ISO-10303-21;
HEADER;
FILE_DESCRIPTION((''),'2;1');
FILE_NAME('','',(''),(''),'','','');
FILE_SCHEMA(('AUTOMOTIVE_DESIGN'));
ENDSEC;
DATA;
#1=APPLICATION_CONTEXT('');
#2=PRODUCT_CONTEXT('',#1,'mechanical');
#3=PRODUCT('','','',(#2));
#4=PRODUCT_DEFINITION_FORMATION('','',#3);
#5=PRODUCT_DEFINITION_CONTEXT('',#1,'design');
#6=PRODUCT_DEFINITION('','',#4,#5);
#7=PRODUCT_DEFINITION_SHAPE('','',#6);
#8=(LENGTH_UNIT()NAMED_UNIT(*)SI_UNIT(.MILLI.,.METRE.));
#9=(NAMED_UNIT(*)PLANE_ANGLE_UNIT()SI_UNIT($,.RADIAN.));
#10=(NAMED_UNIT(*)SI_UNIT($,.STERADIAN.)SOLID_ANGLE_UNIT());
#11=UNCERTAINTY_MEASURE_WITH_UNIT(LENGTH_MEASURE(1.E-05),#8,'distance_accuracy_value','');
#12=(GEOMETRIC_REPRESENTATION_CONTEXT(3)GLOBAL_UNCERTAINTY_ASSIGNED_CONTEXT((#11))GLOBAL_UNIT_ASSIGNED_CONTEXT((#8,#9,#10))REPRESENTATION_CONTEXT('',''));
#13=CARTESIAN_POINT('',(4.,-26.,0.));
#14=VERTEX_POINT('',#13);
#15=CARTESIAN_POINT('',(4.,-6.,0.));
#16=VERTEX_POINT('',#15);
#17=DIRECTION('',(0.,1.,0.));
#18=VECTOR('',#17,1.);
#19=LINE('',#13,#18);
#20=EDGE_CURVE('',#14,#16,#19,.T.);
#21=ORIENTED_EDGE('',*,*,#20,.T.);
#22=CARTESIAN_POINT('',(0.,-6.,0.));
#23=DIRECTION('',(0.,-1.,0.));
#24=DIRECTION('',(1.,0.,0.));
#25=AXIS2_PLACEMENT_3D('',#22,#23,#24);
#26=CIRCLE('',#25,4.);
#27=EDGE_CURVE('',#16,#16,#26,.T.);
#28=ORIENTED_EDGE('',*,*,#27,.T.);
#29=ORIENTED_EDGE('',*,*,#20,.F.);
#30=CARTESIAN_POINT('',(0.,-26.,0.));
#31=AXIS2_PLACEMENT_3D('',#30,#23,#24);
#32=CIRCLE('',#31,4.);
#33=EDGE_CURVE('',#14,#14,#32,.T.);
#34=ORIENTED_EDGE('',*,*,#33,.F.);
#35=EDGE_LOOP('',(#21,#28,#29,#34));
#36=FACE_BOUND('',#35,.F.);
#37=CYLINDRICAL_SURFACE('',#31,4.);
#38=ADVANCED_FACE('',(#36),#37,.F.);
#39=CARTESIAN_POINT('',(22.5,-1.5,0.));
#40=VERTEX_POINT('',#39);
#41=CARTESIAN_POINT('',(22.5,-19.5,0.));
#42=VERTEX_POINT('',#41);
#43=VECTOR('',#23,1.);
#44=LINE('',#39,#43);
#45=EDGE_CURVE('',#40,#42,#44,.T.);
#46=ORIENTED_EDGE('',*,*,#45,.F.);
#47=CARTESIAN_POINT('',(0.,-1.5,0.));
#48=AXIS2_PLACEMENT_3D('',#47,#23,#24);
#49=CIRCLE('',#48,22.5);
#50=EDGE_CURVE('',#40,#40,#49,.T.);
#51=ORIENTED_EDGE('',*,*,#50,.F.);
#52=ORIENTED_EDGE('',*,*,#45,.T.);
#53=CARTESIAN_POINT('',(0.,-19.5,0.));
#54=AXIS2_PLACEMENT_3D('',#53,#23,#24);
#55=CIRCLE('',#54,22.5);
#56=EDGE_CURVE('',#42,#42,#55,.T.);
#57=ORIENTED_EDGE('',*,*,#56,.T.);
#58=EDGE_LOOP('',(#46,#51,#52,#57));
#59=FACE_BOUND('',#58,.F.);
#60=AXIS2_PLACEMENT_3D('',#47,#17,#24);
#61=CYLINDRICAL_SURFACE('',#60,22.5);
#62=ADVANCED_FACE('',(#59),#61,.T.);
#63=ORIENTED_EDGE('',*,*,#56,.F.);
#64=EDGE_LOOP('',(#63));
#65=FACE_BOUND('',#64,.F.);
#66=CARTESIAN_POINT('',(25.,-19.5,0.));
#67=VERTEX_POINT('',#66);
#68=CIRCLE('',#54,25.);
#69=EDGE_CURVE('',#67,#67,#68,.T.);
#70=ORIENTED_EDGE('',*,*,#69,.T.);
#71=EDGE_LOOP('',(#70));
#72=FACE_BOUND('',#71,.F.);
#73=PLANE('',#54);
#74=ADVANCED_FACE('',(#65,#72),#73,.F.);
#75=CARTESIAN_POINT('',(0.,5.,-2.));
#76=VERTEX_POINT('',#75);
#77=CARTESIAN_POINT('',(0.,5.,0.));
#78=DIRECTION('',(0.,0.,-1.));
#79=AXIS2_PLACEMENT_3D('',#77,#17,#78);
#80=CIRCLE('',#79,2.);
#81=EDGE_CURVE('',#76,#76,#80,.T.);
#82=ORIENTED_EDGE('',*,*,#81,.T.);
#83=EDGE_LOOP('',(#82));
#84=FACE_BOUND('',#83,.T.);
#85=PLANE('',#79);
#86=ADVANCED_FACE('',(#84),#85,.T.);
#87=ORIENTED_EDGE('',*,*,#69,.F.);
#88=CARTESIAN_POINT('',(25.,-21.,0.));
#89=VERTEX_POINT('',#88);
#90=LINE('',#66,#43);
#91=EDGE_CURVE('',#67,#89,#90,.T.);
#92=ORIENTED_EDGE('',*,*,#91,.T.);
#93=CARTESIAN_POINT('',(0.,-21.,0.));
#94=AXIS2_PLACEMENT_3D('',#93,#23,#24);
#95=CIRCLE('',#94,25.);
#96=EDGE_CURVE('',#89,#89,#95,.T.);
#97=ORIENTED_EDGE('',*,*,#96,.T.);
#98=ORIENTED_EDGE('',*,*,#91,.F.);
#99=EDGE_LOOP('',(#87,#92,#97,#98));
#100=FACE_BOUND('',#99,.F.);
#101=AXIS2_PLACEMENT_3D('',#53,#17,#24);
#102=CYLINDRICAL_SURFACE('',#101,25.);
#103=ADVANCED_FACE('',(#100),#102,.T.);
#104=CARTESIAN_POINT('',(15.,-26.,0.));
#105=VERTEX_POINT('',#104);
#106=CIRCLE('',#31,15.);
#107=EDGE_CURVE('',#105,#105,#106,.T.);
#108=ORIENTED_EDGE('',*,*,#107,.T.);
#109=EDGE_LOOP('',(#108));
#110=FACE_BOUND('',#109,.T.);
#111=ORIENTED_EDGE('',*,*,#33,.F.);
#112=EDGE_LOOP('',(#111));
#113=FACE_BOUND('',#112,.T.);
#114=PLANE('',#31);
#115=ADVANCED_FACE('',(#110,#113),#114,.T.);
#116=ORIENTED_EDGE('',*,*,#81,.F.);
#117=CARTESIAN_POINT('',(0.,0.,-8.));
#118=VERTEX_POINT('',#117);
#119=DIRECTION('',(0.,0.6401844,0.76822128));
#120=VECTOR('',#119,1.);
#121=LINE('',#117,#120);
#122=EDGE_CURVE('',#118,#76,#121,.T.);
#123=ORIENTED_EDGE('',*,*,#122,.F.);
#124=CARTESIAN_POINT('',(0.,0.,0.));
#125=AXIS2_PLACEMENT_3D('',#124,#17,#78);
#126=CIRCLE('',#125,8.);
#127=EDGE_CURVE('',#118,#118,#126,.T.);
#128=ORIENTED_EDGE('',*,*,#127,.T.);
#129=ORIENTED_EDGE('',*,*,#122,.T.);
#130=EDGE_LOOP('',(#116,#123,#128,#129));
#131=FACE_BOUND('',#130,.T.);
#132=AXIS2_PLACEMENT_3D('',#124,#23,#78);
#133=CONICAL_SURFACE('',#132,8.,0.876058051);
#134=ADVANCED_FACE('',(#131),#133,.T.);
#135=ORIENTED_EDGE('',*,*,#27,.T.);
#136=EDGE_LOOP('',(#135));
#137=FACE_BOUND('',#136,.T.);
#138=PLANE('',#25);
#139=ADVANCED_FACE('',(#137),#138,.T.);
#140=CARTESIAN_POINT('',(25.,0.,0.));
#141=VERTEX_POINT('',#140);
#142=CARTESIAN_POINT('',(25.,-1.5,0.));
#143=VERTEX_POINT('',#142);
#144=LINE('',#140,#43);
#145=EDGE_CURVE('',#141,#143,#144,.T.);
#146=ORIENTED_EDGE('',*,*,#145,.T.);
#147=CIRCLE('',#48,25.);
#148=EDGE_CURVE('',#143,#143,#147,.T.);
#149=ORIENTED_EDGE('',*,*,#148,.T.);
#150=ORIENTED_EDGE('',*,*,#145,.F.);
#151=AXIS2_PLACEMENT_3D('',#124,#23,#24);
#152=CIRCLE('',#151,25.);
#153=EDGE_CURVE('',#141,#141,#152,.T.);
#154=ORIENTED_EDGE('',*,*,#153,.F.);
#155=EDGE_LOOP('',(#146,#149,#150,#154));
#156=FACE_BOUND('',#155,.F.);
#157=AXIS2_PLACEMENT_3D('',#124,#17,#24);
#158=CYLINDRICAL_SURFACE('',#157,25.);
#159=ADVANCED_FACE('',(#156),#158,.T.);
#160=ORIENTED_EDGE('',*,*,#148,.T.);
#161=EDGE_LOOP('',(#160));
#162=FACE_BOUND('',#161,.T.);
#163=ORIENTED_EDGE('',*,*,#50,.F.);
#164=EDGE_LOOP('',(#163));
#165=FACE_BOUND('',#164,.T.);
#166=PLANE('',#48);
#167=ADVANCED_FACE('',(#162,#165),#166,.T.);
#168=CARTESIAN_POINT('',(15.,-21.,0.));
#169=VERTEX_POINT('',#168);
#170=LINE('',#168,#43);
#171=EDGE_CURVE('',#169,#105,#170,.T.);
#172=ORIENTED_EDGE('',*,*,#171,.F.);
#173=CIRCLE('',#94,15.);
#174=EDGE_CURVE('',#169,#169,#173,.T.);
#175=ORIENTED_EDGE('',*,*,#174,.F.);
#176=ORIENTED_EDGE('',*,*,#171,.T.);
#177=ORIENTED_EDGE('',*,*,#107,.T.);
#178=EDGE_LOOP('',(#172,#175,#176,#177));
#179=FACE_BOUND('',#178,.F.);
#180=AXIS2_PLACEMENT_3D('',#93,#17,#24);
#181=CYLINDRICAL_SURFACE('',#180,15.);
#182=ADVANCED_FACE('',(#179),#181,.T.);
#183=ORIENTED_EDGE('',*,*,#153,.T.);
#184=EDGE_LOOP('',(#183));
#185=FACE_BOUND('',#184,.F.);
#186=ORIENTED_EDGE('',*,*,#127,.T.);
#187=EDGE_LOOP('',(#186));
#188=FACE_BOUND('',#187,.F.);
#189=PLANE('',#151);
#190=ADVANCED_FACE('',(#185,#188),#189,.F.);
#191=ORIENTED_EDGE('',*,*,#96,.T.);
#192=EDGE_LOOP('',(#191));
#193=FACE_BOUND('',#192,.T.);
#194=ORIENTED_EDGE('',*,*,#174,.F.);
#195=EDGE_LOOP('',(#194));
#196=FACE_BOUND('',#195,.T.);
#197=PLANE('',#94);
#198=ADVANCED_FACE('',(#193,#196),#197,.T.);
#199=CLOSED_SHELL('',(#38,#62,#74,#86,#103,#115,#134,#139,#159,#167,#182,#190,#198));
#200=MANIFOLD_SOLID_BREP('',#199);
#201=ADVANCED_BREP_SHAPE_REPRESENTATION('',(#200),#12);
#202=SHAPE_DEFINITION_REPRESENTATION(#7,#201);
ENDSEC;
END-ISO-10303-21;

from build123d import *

# Parameters (mm, degrees)
F0_R      = 25
F1_DEPTH  = 1.5
F2_R      = 22.5
F3_DEPTH  = 18
F4_R      = 25
F5_DEPTH  = 1.5
F6_R      = 15
F7_DEPTH  = 5
F10_R     = 4
F11_DEPTH = 20


with BuildPart() as f1:
    # F0 (on Front) → F1 (new body)
    with BuildSketch(Plane.XZ):
        Circle(F0_R)
    extrude(amount=F1_DEPTH)

    # F2 (on face) → F3 (join)
    with BuildSketch(Plane.XZ.offset(1.5)):
        Circle(F2_R)
    extrude(amount=F3_DEPTH)

    # F4 (on face) → F5 (join)
    with BuildSketch(Plane.XZ.offset(19.5)):
        Circle(F4_R)
    extrude(amount=F5_DEPTH)

    # F6 (on face) → F7 (join)
    with BuildSketch(Plane.XZ.offset(21)):
        Circle(F6_R)
    extrude(amount=F7_DEPTH)

    # F8 (on Right) → F9 (revolve)
    with BuildSketch(Plane.YZ):
        Polygon((5, 0), (0, 0), (0, -8), (5, -2), align=None)
    revolve(axis=Axis((0, 10.197903, 0), (0, 1, 0)))

    # F10 (on face) → F11 (cut)
    with BuildSketch(Plane.XZ.offset(26)):
        Circle(F10_R)
    extrude(amount=-F11_DEPTH, mode=Mode.SUBTRACT)


solid = f1.part
